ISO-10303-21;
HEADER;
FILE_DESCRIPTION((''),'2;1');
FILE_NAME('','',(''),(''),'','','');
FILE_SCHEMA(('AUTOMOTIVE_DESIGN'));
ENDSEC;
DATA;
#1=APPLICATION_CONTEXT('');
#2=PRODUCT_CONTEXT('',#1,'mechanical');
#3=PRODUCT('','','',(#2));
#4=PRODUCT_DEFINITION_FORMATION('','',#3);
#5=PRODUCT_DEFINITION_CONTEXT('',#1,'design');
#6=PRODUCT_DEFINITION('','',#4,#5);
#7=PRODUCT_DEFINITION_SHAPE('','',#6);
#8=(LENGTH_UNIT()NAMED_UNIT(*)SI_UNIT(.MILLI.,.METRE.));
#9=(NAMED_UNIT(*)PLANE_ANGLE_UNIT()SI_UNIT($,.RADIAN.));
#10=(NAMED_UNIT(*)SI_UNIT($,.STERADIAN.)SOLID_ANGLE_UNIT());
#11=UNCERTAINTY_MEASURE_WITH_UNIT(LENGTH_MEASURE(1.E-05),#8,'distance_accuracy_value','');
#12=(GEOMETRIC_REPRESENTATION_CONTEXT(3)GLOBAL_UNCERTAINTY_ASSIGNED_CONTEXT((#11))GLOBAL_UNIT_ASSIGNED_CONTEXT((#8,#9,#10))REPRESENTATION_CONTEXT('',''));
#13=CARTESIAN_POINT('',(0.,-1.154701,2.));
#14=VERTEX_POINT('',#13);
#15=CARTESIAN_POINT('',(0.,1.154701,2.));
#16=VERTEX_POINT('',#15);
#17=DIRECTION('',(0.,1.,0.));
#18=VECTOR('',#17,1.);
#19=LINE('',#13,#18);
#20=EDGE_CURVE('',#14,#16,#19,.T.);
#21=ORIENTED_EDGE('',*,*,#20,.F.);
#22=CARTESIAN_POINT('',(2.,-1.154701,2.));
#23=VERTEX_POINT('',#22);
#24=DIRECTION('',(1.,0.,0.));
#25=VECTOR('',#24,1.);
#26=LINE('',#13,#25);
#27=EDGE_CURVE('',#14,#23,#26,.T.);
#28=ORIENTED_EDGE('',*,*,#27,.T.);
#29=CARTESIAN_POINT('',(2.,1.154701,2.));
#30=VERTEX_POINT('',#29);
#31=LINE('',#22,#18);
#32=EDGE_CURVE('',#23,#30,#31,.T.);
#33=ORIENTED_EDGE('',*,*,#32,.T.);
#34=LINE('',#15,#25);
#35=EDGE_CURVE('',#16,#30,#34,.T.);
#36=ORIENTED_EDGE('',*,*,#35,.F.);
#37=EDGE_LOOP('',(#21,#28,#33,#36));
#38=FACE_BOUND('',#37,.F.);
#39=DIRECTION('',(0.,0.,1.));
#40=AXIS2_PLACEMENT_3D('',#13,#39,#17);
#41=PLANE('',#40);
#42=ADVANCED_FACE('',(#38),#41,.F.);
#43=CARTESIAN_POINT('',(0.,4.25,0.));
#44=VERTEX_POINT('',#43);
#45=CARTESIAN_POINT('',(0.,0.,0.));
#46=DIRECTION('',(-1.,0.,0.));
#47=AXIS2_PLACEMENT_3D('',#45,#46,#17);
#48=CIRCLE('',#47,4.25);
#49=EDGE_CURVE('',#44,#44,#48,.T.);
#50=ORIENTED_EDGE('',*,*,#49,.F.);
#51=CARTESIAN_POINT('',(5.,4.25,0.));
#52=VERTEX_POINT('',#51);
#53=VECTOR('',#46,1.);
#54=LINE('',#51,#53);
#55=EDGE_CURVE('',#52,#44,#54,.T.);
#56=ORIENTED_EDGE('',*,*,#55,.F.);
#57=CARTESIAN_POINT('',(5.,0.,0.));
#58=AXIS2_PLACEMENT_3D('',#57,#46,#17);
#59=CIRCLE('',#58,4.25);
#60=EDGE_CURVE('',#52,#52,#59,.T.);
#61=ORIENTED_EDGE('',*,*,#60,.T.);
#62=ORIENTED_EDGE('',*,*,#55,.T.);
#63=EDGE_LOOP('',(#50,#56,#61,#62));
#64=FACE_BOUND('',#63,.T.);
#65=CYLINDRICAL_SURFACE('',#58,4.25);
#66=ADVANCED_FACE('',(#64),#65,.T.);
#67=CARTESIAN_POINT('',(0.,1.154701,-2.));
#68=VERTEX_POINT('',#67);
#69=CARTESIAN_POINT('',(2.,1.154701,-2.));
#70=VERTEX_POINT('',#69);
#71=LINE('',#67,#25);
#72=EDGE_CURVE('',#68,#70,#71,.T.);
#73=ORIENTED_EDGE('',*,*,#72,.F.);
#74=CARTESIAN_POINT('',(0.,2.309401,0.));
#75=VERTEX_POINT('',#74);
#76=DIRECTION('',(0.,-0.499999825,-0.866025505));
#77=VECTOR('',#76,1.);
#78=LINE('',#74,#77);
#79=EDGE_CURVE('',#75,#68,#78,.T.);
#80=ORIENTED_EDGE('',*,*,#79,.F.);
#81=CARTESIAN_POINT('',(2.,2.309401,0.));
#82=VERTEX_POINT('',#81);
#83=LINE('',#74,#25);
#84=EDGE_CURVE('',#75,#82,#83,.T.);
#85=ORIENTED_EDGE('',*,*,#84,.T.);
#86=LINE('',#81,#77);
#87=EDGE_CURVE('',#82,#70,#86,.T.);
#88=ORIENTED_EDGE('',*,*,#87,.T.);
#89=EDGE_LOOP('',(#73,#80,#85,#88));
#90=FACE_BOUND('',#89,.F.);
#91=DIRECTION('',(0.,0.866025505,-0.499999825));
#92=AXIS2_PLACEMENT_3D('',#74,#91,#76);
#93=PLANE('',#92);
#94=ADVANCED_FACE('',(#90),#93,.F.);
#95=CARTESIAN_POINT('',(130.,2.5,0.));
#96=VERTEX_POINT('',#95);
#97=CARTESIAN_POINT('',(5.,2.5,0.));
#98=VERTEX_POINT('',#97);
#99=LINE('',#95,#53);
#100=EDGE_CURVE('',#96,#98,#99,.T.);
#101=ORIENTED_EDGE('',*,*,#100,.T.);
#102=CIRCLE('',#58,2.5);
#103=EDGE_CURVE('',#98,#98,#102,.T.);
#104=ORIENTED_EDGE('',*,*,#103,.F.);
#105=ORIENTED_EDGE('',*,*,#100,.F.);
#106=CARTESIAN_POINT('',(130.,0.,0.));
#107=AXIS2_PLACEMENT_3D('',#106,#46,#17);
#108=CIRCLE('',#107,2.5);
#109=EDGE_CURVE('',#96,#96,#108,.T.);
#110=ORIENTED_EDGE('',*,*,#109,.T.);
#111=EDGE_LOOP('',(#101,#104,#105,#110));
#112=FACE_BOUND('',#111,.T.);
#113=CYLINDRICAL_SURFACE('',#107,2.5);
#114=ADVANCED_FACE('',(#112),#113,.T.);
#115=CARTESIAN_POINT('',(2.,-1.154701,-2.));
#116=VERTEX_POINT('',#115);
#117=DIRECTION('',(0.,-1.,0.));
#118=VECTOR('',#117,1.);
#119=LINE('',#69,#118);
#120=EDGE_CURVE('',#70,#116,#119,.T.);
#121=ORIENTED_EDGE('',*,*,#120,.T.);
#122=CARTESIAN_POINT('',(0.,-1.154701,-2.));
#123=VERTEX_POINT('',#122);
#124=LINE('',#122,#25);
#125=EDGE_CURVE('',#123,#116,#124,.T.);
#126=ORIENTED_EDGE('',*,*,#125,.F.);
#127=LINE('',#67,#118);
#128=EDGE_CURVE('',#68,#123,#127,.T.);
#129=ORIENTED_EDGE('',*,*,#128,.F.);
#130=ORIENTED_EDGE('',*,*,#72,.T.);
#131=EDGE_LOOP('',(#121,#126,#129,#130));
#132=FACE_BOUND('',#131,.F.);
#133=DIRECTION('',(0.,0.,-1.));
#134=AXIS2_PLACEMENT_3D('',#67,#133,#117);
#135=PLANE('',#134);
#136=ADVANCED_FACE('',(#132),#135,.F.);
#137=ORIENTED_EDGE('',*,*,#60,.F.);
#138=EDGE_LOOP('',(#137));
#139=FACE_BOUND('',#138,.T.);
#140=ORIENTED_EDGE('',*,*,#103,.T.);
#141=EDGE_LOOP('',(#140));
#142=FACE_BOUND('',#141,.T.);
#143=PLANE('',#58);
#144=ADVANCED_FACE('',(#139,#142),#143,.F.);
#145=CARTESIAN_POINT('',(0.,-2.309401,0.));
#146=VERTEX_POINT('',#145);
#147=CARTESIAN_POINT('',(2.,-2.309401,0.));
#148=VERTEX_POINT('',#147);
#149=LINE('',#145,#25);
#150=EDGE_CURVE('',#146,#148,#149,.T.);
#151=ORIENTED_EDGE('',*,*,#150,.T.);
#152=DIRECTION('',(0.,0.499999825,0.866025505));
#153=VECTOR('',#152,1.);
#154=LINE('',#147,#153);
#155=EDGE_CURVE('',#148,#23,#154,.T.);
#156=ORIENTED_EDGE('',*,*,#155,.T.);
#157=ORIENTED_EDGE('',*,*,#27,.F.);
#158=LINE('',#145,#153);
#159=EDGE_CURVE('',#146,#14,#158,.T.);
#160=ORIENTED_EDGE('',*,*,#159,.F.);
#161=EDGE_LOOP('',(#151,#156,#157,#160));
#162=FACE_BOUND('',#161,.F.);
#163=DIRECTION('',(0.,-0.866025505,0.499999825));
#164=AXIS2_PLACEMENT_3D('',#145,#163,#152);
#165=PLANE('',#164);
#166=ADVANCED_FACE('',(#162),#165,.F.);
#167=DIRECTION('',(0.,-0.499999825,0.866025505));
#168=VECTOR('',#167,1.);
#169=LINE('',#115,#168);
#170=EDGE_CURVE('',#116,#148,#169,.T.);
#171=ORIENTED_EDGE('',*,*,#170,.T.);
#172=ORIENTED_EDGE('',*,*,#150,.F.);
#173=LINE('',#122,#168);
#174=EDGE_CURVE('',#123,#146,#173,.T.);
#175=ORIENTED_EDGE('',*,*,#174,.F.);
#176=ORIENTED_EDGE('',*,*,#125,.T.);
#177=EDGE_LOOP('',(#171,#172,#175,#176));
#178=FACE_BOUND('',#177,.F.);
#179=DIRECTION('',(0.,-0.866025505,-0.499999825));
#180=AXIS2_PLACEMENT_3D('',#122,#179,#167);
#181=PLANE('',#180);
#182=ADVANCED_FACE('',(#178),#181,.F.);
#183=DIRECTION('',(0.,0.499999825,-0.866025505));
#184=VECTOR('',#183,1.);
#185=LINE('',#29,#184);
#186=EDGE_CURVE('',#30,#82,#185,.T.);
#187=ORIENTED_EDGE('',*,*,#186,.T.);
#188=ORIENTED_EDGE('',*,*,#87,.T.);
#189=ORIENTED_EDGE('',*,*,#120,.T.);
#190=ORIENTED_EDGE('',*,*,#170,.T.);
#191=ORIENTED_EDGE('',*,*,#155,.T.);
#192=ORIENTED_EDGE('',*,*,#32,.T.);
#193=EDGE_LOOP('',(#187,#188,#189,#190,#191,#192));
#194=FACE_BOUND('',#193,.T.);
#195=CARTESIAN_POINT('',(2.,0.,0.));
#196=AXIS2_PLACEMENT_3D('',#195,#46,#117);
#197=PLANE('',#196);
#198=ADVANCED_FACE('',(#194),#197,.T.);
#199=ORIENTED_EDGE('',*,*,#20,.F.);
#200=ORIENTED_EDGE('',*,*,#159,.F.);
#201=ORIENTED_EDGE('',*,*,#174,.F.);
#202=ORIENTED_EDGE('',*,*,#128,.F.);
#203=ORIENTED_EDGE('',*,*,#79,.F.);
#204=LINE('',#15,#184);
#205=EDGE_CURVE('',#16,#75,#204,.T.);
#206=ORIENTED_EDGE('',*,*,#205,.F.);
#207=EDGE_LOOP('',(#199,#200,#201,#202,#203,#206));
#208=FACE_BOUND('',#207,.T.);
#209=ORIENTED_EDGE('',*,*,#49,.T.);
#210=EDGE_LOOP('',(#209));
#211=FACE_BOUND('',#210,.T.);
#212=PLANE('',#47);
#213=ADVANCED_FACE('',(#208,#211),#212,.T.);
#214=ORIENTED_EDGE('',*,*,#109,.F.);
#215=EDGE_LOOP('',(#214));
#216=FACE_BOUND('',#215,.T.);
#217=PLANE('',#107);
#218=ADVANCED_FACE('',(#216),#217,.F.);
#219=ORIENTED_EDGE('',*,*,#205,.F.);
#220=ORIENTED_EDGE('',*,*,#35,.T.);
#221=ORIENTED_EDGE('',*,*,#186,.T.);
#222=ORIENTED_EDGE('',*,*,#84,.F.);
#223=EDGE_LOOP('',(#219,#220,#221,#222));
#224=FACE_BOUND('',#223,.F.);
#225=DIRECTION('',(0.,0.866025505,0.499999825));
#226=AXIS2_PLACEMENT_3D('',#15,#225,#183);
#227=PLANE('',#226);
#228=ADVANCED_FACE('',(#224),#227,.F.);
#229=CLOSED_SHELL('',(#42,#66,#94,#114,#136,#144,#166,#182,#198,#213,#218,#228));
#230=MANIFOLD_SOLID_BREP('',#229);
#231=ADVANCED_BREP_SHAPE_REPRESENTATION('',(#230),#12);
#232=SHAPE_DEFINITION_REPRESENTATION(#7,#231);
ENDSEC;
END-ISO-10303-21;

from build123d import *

# Parameters (mm, degrees)
F3_DEPTH = 2


with BuildPart() as f1:
    # F0 (on Top) → F1 (revolve)
    with BuildSketch(Plane.XY):
        Polygon((0, 4.25), (0, 0), (130, 0), (130, 2.5), (5, 2.5), (5, 4.25), align=None)
    revolve(axis=Axis((65, 0, 0), (-1, 0, 0)))

    # F2 (on face) → F3 (cut)
    with BuildSketch(Plane(origin=(0, 0, 0), x_dir=(0, -1, 0), z_dir=(-1, 0, 0))):
        Polygon((1.154701, 2), (-1.154701, 2), (-2.309401, 0), (-1.154701, -2), (1.154701, -2), (2.309401, 0), align=None)
    extrude(amount=-F3_DEPTH, mode=Mode.SUBTRACT)


solid = f1.part
